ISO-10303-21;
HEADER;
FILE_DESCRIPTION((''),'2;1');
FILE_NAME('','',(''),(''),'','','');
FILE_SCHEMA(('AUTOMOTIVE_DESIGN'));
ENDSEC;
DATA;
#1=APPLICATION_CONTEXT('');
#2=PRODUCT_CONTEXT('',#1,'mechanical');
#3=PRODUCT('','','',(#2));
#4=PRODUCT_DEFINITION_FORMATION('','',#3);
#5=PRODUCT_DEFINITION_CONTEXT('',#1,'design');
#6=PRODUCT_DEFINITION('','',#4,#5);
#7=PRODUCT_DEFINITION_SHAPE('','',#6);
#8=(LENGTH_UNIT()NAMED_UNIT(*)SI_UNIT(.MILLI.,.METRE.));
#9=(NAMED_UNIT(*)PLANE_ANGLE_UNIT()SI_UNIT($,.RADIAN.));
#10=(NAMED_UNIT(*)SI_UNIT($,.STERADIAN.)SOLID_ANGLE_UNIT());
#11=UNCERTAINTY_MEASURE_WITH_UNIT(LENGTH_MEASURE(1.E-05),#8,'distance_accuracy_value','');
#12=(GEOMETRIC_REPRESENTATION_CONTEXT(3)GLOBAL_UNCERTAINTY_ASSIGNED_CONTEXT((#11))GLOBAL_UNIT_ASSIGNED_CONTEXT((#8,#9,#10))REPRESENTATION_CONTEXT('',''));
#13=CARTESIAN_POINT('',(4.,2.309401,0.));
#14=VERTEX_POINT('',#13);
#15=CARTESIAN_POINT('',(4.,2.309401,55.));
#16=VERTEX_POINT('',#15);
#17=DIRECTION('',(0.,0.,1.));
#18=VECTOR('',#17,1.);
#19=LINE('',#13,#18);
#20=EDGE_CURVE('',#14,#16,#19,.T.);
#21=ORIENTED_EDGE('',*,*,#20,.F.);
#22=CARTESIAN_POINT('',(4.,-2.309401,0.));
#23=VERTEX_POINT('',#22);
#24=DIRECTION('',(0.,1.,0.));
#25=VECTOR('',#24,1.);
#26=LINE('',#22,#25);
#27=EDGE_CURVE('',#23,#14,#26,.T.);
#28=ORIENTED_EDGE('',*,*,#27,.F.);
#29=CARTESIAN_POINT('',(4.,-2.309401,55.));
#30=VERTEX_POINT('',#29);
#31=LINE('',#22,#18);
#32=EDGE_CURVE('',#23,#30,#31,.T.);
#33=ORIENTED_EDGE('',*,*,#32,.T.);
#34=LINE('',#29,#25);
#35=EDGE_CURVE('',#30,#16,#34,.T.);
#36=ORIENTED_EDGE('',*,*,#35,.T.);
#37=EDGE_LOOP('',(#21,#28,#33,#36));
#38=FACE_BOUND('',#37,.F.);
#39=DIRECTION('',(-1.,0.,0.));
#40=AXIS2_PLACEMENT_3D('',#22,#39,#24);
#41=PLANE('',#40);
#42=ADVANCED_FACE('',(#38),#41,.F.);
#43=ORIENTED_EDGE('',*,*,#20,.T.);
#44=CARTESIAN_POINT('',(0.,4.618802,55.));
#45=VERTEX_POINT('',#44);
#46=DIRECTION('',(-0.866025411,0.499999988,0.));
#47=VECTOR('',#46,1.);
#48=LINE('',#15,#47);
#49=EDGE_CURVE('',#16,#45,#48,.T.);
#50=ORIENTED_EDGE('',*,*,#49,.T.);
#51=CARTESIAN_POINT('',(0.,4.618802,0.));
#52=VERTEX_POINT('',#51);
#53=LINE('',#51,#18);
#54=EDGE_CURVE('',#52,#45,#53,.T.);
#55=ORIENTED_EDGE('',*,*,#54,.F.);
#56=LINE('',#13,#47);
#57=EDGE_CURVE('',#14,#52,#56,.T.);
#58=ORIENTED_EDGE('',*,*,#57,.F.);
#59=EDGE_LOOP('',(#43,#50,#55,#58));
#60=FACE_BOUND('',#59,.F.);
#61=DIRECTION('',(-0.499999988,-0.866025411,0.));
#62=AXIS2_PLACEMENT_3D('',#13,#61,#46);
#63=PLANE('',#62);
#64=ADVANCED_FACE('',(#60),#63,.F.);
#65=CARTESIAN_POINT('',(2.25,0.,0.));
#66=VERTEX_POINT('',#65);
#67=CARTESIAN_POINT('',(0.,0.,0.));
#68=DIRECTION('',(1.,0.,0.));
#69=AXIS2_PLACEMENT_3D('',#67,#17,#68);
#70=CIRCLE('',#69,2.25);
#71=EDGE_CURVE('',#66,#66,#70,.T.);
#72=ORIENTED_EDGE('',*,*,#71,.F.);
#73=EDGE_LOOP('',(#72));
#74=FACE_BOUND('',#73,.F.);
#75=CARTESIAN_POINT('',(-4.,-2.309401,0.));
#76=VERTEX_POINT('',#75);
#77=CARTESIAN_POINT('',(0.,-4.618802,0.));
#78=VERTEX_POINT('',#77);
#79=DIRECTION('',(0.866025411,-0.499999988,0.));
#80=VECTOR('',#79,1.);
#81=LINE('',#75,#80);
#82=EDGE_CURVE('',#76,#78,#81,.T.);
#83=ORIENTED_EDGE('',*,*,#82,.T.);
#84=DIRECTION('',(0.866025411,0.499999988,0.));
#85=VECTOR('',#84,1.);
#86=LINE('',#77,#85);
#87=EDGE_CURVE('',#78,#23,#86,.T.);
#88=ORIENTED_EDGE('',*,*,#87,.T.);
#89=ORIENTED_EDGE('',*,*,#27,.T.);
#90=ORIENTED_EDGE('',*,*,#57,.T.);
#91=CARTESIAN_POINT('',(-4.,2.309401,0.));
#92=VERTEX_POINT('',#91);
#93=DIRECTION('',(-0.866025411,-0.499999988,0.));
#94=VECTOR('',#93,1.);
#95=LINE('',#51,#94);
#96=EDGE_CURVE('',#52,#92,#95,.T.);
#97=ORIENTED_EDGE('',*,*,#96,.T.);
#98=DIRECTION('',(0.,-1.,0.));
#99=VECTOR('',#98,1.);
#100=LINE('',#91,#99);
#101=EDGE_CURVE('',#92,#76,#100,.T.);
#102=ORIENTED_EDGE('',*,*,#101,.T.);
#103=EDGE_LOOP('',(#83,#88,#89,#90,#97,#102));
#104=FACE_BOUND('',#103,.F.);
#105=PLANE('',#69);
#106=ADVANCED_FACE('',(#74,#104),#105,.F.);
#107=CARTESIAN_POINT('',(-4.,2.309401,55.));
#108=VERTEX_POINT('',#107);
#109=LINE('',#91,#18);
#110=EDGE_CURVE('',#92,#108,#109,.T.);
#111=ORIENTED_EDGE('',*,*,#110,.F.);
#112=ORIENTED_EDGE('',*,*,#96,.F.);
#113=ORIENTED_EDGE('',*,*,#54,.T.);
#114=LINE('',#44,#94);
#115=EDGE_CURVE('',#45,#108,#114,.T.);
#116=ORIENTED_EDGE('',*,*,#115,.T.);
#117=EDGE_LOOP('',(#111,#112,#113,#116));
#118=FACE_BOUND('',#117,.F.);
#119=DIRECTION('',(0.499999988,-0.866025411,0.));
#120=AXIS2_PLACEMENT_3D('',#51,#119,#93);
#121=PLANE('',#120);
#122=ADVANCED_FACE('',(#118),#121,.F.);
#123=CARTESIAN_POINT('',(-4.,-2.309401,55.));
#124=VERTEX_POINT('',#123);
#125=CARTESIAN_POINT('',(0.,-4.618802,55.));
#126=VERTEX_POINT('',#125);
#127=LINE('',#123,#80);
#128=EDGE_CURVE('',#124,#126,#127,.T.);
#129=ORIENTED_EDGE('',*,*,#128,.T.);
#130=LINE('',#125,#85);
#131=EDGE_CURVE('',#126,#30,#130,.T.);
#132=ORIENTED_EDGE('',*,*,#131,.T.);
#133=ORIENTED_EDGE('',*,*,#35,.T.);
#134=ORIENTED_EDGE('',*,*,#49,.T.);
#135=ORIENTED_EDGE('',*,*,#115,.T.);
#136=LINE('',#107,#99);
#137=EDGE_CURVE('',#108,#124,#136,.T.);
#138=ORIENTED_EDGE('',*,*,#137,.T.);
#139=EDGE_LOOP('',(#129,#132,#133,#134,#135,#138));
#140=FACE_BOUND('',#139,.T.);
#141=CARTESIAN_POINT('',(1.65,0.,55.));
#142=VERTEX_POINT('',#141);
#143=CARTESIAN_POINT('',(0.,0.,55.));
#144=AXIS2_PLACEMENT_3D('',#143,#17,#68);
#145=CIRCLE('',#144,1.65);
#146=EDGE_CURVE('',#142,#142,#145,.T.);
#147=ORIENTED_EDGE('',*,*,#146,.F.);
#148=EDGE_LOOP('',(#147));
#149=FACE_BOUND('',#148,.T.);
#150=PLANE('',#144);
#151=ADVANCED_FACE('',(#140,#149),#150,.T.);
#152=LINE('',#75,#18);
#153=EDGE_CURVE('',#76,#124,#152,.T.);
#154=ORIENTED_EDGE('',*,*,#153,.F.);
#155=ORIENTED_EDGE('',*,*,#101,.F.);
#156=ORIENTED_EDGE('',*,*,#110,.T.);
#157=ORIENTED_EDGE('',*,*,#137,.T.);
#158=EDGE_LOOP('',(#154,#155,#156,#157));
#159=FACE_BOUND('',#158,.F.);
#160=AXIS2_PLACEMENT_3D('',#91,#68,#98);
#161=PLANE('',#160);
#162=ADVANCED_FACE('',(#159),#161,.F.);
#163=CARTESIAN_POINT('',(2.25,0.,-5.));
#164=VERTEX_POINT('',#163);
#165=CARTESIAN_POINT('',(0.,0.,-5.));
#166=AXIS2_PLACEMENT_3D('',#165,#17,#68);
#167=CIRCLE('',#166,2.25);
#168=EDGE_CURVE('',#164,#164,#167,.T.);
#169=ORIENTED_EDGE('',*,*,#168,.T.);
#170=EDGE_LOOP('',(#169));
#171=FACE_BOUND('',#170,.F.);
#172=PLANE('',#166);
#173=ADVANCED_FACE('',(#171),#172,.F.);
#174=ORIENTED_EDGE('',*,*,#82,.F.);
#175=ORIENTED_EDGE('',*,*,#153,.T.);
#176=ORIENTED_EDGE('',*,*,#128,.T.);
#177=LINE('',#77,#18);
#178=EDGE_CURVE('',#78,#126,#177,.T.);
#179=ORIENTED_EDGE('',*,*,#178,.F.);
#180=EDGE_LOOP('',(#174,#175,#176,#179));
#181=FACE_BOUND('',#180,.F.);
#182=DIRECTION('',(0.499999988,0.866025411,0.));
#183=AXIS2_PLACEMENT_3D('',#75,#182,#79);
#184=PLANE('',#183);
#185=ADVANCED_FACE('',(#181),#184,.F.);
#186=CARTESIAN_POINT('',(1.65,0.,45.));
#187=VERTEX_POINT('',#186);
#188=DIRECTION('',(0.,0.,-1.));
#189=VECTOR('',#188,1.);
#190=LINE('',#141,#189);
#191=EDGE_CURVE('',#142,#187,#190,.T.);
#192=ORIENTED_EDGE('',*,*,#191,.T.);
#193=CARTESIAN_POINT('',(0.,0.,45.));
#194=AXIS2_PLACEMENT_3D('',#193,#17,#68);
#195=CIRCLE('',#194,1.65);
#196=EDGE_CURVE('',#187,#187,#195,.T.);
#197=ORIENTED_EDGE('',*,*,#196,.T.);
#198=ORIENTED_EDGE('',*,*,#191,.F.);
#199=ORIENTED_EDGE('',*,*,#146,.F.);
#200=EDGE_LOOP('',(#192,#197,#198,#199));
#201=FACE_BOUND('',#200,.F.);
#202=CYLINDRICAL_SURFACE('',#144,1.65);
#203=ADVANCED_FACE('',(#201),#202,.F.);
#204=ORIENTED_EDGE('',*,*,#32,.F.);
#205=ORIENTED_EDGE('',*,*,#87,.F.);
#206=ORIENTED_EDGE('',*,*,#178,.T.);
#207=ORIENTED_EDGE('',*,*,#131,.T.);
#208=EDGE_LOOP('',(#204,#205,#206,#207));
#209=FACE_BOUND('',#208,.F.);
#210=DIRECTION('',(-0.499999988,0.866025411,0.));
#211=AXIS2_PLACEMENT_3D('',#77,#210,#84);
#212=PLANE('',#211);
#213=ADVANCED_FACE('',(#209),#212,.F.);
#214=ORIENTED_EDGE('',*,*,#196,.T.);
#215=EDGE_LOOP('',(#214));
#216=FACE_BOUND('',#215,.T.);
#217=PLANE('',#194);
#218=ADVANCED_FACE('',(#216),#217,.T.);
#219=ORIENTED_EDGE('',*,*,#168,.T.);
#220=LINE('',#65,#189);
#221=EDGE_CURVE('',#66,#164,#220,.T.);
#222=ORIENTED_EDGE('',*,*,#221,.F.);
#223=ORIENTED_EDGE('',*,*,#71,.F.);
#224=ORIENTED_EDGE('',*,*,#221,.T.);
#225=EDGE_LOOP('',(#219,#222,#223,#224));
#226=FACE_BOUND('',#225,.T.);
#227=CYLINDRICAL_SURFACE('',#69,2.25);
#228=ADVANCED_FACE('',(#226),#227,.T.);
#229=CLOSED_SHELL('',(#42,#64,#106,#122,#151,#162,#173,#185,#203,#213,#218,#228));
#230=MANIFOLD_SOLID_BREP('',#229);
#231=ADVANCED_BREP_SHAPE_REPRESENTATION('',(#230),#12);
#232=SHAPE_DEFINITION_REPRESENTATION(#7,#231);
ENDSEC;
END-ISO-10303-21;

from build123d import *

# Parameters (mm, degrees)
F0_R     = 2.25
F1_DEPTH = 55
F2_DEPTH = 5
F3_R     = 1.65
F4_DEPTH = 10


with BuildPart() as f1:
    # F0 (on Top) → F1 (new body)
    with BuildSketch(Plane.XY):
        Polygon((4, -2.309401), (4, 2.309401), (0, 4.618802), (-4, 2.309401), (-4, -2.309401), (0, -4.618802), align=None)
        Circle(F0_R, mode=Mode.SUBTRACT)
        Circle(F0_R)
    extrude(amount=F1_DEPTH)

    # F0 (on Top) → F2 (join)
    with BuildSketch(Plane.XY):
        Circle(F0_R)
    extrude(amount=-F2_DEPTH)

    # F3 (on face) → F4 (cut)
    with BuildSketch(Plane.XY.offset(55)):
        Circle(F3_R)
    extrude(amount=-F4_DEPTH, mode=Mode.SUBTRACT)


solid = f1.part
